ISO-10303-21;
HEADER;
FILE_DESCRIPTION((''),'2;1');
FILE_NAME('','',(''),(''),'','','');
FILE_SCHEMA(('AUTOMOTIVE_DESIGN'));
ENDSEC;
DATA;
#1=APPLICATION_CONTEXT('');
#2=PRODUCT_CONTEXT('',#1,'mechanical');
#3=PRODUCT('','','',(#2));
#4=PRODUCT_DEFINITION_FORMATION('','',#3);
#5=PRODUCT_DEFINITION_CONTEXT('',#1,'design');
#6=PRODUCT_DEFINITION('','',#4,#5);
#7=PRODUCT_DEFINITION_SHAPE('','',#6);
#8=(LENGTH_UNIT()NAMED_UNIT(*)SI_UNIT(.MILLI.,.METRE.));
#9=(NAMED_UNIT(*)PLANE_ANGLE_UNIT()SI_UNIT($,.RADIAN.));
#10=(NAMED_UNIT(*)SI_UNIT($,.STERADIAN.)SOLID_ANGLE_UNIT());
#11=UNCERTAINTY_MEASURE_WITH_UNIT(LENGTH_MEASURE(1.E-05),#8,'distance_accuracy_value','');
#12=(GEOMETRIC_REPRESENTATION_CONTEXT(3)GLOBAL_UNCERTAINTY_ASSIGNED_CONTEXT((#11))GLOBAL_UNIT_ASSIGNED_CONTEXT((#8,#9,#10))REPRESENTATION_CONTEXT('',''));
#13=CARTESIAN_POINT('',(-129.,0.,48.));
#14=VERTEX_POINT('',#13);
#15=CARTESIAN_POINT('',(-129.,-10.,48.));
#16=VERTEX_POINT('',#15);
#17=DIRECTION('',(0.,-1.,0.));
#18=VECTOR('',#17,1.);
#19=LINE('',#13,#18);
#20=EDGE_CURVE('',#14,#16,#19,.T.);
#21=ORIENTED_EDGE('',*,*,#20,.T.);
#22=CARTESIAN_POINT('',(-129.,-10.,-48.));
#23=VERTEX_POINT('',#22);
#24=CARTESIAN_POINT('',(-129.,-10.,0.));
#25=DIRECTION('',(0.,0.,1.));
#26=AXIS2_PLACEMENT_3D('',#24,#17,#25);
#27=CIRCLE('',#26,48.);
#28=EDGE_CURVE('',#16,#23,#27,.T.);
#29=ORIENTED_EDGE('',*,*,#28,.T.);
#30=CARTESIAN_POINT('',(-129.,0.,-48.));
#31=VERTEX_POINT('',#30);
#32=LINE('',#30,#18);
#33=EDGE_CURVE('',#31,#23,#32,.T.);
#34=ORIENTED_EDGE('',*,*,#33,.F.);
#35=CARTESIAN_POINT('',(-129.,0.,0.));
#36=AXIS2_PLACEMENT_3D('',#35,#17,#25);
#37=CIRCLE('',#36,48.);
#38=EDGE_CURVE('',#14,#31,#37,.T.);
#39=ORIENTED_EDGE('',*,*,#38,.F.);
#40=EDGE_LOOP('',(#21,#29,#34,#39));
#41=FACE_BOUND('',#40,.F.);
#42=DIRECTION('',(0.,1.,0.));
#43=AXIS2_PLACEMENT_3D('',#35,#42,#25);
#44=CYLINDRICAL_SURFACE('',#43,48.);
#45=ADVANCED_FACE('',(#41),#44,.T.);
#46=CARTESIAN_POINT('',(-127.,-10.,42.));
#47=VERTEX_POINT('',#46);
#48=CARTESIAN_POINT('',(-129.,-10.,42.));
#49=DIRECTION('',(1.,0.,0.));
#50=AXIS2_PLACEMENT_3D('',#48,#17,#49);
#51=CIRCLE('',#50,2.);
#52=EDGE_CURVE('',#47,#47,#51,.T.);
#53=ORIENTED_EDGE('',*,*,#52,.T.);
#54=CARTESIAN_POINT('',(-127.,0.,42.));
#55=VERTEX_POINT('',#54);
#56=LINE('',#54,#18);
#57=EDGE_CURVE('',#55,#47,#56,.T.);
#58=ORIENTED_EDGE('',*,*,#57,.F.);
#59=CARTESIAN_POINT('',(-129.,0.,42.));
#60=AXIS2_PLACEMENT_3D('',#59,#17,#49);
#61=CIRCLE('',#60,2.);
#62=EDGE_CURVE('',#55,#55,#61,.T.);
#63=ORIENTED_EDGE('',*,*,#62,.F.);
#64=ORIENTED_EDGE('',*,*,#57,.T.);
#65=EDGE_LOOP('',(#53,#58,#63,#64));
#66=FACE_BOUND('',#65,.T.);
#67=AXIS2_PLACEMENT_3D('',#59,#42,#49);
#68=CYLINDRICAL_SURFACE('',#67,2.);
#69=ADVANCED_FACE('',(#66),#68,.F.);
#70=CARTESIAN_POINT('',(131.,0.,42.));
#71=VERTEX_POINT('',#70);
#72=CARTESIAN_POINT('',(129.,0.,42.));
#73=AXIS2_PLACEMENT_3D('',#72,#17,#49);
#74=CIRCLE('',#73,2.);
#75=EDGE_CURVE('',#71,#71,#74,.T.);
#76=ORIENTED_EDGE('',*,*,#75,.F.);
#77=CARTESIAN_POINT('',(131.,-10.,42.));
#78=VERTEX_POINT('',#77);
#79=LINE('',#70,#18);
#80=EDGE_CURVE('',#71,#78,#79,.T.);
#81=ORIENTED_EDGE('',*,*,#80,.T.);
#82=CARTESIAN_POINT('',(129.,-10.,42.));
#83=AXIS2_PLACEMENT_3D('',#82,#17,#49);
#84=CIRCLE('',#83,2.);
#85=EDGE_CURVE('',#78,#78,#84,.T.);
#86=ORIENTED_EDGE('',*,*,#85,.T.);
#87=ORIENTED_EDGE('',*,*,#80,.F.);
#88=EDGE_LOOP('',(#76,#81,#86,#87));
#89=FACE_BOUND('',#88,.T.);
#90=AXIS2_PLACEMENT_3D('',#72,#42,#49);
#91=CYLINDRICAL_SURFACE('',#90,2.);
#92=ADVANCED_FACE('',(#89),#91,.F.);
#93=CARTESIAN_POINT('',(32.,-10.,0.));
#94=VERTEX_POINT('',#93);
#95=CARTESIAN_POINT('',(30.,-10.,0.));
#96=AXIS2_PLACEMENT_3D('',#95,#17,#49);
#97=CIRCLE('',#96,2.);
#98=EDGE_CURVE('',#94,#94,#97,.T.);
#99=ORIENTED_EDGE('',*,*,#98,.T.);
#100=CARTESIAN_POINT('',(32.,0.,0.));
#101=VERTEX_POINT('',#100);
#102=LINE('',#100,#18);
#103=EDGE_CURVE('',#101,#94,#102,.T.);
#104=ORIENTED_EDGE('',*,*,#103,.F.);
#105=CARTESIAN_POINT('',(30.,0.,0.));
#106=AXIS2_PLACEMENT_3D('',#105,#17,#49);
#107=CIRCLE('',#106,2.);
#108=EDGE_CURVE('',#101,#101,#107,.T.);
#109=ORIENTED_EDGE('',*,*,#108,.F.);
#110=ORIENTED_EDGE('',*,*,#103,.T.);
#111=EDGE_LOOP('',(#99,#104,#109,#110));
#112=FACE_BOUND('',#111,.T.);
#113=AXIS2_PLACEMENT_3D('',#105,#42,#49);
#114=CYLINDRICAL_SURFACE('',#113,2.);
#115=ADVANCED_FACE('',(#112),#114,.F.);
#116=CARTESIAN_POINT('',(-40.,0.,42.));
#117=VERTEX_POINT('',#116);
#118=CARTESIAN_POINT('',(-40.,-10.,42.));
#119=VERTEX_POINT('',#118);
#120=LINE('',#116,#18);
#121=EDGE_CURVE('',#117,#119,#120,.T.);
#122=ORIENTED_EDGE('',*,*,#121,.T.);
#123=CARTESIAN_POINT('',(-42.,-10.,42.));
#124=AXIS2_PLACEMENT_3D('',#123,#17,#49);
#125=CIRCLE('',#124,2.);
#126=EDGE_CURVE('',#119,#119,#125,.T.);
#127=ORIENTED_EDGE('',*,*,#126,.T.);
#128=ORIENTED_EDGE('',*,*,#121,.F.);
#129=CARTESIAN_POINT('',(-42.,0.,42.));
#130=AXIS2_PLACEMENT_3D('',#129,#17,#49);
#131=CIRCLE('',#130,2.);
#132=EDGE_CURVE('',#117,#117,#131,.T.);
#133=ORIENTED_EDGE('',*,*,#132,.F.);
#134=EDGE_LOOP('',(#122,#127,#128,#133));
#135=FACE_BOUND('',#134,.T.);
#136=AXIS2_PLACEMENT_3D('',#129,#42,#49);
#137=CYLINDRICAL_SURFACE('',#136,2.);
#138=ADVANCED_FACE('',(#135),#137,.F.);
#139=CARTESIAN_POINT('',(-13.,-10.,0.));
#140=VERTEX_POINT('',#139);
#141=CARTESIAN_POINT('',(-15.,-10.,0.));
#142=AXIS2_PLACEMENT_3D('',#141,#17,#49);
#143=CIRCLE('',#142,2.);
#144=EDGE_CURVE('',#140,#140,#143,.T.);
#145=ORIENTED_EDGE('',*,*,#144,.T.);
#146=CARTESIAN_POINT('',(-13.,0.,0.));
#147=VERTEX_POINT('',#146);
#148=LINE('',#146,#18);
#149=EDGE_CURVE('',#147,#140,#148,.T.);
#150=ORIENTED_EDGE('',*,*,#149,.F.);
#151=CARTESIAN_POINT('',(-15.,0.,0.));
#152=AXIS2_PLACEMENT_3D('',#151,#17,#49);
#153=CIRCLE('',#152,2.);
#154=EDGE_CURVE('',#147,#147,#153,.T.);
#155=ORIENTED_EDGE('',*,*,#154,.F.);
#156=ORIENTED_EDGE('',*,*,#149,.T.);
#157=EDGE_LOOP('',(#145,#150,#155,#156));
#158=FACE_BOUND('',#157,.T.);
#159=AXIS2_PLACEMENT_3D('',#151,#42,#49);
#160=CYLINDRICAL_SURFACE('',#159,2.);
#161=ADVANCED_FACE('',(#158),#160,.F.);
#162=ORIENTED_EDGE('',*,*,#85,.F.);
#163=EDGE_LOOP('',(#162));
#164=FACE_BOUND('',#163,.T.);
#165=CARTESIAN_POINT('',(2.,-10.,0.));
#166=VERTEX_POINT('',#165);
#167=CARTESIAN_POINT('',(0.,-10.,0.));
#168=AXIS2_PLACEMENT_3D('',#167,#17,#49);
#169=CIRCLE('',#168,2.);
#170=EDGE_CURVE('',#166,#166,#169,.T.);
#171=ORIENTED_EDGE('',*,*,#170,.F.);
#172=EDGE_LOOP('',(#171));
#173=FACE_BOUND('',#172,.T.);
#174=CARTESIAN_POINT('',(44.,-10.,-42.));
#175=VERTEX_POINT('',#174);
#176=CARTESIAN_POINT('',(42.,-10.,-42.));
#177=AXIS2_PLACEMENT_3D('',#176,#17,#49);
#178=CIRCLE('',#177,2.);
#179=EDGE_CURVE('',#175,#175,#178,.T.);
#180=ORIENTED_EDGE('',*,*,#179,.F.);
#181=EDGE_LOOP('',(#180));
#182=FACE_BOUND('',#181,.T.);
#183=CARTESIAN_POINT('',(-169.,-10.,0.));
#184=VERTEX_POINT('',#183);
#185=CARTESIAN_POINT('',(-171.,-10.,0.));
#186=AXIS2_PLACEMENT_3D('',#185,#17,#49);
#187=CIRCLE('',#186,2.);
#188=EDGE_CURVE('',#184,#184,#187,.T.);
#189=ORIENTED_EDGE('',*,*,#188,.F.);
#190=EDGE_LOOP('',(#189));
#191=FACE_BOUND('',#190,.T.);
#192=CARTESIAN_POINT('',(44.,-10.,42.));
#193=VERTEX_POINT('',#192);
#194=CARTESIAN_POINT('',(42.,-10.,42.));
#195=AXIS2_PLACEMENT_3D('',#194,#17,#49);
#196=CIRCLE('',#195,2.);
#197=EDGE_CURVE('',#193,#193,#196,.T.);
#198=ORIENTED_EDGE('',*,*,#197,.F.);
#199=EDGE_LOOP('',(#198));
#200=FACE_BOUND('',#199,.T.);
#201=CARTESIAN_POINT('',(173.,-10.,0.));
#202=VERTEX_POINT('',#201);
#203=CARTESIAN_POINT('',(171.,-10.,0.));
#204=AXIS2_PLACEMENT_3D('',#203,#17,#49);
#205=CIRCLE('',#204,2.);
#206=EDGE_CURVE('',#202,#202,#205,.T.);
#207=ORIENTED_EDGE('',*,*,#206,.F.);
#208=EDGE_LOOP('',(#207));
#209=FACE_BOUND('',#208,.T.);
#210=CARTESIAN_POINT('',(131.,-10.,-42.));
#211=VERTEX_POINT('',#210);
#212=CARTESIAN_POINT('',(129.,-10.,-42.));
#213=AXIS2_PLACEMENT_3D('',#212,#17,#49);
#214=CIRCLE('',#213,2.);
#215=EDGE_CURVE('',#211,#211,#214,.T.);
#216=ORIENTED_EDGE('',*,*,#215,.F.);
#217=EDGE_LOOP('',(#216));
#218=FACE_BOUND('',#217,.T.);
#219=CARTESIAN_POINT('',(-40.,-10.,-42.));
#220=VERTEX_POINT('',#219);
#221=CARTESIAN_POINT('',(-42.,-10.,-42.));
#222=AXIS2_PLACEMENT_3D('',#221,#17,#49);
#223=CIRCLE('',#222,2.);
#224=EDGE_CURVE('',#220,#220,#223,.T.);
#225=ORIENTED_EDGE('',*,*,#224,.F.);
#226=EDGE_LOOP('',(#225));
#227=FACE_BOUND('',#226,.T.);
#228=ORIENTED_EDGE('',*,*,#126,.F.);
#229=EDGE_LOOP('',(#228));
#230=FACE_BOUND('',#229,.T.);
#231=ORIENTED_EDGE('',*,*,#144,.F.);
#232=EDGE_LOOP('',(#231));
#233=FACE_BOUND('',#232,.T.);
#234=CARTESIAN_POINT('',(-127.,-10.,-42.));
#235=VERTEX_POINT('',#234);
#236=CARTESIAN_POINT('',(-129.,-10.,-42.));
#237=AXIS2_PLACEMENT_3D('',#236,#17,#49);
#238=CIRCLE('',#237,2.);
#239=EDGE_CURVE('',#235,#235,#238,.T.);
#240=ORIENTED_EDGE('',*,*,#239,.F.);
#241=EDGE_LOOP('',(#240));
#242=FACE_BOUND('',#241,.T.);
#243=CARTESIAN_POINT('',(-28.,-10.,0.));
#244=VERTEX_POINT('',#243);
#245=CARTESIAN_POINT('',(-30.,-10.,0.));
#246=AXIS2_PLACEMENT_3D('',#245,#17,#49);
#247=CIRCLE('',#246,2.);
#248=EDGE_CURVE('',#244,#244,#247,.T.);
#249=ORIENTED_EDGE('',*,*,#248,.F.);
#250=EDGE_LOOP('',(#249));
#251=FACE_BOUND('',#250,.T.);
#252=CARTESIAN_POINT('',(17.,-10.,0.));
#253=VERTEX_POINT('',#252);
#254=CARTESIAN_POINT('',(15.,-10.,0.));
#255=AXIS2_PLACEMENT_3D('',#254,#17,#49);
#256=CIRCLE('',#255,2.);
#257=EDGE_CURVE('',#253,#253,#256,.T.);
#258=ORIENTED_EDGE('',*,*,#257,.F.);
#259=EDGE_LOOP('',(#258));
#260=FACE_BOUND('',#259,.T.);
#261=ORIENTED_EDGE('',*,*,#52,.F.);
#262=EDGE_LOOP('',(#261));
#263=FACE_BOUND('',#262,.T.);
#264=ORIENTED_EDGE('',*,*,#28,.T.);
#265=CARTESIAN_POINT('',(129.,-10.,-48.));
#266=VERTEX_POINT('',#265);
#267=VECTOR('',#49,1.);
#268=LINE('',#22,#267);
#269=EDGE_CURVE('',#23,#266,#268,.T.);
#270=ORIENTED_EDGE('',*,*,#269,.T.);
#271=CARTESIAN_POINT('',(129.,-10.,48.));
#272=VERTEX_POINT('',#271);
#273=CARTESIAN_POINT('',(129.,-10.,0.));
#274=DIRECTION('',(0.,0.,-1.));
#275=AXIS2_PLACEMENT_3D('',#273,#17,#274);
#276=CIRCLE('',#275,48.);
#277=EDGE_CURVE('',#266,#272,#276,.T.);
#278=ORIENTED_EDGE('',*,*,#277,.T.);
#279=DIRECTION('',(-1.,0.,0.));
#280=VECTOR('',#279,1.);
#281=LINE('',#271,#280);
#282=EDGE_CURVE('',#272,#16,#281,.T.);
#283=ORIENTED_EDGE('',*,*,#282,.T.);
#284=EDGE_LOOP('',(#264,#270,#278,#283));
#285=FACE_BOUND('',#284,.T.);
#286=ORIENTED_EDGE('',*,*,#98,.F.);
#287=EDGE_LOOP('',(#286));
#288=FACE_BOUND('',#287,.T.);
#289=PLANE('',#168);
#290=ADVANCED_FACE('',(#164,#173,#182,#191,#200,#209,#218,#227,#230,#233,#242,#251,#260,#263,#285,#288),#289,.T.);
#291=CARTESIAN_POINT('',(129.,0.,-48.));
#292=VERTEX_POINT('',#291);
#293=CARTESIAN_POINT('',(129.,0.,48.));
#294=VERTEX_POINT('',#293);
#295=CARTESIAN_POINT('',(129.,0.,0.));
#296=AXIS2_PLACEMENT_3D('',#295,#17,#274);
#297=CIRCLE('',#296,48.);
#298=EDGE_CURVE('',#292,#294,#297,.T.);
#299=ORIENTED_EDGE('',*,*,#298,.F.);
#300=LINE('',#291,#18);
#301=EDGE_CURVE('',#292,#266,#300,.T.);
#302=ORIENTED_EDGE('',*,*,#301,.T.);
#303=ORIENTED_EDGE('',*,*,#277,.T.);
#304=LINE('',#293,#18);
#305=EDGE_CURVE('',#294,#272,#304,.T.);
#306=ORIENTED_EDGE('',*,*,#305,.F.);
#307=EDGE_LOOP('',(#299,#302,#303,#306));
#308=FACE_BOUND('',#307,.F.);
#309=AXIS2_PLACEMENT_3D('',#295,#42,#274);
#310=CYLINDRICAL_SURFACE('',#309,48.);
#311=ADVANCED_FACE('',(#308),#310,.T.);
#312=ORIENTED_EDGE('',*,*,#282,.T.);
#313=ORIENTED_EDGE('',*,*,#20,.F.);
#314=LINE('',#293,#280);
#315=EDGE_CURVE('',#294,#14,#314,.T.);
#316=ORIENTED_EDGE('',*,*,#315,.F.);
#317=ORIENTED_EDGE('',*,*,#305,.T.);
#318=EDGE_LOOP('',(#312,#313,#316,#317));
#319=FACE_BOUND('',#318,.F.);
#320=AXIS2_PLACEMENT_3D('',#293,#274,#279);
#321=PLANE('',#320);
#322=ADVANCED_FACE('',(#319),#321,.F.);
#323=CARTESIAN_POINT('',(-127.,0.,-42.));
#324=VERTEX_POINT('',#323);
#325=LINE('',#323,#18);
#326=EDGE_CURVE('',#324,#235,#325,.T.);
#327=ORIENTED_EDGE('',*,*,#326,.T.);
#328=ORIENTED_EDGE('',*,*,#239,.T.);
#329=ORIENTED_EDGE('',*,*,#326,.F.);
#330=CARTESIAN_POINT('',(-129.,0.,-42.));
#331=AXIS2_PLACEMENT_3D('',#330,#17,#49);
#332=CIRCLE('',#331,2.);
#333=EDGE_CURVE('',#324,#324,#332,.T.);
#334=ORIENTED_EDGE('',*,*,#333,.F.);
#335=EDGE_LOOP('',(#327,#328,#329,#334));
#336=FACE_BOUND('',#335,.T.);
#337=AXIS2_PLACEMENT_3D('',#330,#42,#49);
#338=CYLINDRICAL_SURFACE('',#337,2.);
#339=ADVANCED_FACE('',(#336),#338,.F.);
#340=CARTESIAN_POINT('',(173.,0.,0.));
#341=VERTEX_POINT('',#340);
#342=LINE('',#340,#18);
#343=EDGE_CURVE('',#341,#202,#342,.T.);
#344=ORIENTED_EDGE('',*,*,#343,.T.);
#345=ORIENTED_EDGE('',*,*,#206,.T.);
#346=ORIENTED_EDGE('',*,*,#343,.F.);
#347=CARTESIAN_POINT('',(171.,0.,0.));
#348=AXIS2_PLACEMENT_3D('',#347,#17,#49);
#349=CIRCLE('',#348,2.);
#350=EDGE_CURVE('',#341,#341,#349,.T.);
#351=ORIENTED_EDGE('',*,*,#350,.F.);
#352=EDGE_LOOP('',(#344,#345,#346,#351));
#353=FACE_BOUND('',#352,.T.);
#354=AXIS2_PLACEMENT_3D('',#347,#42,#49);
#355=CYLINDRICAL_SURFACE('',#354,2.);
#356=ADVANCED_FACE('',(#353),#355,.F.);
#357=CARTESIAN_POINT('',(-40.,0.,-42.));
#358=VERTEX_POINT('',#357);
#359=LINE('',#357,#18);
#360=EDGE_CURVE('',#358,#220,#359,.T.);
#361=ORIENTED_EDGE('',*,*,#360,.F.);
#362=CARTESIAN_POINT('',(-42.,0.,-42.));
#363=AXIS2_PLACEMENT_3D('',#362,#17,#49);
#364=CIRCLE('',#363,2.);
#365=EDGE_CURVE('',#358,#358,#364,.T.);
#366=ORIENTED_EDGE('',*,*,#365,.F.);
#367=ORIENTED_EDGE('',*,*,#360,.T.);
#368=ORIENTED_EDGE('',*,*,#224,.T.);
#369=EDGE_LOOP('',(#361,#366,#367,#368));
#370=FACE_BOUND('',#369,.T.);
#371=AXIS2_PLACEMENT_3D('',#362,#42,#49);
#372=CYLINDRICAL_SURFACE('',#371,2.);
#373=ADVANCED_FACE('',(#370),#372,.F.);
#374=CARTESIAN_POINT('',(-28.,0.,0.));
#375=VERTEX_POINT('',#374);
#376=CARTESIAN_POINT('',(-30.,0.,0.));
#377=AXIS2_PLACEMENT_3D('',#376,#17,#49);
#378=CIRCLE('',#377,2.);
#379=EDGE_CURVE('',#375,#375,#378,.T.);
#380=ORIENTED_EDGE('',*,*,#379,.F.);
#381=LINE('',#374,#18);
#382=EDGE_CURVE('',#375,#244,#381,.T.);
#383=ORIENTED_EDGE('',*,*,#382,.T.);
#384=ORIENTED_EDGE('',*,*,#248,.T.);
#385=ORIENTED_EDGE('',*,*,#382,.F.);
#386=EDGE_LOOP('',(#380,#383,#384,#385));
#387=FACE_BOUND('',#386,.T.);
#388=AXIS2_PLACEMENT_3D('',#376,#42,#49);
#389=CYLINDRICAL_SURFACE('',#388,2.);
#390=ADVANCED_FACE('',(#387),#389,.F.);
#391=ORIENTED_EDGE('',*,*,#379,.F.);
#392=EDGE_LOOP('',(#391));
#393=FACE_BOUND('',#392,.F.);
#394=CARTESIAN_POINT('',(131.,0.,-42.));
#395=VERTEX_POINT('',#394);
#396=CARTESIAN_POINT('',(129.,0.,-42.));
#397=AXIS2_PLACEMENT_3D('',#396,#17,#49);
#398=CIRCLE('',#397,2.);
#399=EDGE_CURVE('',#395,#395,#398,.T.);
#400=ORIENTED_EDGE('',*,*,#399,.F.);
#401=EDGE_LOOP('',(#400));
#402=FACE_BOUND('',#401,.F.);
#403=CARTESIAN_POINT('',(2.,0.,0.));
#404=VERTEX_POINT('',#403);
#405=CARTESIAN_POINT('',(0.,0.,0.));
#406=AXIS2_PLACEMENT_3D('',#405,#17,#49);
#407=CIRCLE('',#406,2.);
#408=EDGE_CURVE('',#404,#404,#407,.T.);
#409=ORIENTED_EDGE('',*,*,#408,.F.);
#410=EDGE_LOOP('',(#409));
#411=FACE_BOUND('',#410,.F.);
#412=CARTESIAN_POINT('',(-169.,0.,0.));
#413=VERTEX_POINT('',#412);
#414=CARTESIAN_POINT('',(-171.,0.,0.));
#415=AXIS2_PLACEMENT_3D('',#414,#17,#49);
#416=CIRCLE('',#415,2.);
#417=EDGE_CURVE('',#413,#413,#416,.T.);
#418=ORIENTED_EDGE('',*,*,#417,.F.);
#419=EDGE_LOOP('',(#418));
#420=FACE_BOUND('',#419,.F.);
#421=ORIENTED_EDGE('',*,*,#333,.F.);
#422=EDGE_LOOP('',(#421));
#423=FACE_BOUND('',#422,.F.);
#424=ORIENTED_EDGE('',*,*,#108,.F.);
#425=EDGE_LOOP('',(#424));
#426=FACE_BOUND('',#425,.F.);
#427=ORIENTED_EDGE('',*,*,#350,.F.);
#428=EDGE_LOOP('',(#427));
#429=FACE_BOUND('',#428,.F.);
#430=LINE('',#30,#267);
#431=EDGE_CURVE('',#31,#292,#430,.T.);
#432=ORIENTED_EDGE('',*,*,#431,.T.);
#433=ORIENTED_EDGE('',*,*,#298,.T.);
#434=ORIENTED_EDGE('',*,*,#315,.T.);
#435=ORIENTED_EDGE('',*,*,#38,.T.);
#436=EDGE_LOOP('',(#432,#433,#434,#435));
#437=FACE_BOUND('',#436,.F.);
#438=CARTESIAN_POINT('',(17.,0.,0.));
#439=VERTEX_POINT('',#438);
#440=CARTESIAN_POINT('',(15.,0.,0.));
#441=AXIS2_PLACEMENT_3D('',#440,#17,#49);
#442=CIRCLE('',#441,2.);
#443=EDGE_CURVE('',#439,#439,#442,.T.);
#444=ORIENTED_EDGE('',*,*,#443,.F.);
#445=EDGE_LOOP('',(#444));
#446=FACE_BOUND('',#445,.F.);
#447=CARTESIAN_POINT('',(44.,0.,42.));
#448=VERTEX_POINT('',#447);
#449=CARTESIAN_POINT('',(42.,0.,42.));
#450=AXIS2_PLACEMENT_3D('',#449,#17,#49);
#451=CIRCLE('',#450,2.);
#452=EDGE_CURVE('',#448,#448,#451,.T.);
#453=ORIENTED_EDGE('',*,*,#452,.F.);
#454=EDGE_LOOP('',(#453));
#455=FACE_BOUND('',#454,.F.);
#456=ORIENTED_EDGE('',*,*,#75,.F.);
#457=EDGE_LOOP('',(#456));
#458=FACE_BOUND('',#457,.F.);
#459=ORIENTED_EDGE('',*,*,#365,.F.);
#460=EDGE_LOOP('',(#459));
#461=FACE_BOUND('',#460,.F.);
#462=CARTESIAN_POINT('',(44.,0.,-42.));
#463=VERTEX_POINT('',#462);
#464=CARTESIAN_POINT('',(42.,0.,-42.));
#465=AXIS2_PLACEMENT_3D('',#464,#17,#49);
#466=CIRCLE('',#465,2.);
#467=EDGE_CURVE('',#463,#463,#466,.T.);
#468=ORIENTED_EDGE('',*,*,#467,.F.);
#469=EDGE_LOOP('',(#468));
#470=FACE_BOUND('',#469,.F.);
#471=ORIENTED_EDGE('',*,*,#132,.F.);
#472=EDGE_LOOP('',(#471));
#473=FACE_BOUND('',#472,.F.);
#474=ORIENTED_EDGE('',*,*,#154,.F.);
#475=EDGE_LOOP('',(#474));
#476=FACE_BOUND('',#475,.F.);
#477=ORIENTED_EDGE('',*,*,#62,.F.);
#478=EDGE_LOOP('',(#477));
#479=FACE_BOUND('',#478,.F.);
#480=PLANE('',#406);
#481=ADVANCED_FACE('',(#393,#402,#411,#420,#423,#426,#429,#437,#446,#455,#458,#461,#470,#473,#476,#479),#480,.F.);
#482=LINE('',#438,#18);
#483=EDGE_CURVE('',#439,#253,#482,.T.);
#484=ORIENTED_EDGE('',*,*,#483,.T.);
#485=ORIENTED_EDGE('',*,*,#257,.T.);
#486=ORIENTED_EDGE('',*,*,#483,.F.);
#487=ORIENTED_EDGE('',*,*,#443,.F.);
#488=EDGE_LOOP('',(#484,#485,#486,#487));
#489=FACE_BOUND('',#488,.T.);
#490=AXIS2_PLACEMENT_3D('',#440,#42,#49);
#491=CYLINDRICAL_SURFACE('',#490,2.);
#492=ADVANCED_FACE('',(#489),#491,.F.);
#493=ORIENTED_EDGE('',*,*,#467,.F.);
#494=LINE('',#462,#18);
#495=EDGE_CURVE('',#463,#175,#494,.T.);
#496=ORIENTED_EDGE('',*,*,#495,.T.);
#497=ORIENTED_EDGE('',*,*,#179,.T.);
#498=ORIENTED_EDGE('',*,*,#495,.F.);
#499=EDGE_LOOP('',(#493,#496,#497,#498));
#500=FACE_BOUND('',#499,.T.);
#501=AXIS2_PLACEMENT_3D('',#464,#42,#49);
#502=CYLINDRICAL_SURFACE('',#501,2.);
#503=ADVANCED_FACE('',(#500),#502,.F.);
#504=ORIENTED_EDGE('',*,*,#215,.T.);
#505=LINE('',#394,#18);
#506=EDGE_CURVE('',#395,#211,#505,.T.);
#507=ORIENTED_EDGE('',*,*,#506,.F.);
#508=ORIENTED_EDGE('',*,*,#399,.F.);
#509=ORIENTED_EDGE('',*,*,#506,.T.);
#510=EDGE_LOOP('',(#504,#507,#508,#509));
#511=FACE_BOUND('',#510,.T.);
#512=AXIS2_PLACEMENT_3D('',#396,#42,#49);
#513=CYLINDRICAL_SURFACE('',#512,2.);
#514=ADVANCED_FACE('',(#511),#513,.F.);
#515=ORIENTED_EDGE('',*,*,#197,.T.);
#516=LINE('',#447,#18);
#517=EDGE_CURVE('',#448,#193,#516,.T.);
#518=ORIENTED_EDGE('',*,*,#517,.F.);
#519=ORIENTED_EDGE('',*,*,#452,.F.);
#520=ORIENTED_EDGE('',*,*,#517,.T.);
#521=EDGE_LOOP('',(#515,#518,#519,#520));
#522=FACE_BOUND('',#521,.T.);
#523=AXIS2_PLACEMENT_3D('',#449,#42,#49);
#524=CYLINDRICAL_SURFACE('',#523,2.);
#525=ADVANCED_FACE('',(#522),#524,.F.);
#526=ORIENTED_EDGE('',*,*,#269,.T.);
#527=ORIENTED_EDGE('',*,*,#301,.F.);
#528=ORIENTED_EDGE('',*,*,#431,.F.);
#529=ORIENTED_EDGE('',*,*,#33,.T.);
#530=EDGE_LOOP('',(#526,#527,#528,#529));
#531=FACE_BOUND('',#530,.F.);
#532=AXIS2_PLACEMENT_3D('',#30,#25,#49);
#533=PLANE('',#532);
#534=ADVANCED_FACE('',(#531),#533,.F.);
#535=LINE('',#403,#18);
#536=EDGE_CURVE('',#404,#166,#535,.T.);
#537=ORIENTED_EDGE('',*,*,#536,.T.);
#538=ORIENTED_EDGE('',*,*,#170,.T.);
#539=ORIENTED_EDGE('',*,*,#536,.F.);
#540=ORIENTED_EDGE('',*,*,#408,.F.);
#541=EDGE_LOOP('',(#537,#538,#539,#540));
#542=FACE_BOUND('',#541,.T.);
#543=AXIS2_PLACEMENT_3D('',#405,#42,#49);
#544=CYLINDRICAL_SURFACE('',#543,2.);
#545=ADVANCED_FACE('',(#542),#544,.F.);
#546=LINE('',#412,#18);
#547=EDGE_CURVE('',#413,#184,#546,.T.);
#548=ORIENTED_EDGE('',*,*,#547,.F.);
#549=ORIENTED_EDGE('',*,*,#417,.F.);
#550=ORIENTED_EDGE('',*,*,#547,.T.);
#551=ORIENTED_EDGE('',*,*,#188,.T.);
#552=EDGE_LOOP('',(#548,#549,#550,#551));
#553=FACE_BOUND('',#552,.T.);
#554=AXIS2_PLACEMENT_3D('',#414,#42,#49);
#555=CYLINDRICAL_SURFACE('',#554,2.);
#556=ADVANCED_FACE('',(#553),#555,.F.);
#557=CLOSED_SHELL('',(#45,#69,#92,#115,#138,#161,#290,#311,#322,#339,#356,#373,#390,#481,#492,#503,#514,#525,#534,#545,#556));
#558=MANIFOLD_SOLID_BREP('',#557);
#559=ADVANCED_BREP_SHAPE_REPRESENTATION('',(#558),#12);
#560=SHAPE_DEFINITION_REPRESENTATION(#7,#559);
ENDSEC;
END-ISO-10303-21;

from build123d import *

# Parameters (mm, degrees)
F0_R     = 2
F1_DEPTH = 10


with BuildPart() as f1:
    # F0 (on Front) → F1 (new body)
    with BuildSketch(Plane.XZ):
        with BuildLine():
            ThreePointArc((129, -48), (177, 0), (129, 48))
            Line((129, 48), (0, 48))
            Line((0, 48), (-129, 48))
            ThreePointArc((-129, 48), (-177, 0), (-129, -48))
            Line((-129, -48), (0, -48))
            Line((0, -48), (129, -48))
        make_face()
        with Locations((-129, -42)):
            Circle(F0_R, mode=Mode.SUBTRACT)
        with Locations((-42, -42)):
            Circle(F0_R, mode=Mode.SUBTRACT)
        with Locations((42, -42)):
            Circle(F0_R, mode=Mode.SUBTRACT)
        with Locations((129, -42)):
            Circle(F0_R, mode=Mode.SUBTRACT)
        with Locations((-171, 0)):
            Circle(F0_R, mode=Mode.SUBTRACT)
        with Locations((-30, 0)):
            Circle(F0_R, mode=Mode.SUBTRACT)
        with Locations((-15, 0)):
            Circle(F0_R, mode=Mode.SUBTRACT)
        with Locations((-129, 42)):
            Circle(F0_R, mode=Mode.SUBTRACT)
        with Locations((-42, 42)):
            Circle(F0_R, mode=Mode.SUBTRACT)
        Circle(F0_R, mode=Mode.SUBTRACT)
        with Locations((15, 0)):
            Circle(F0_R, mode=Mode.SUBTRACT)
        with Locations((30, 0)):
            Circle(F0_R, mode=Mode.SUBTRACT)
        with Locations((171, 0)):
            Circle(F0_R, mode=Mode.SUBTRACT)
        with Locations((42, 42)):
            Circle(F0_R, mode=Mode.SUBTRACT)
        with Locations((129, 42)):
            Circle(F0_R, mode=Mode.SUBTRACT)
    extrude(amount=F1_DEPTH)


solid = f1.part
